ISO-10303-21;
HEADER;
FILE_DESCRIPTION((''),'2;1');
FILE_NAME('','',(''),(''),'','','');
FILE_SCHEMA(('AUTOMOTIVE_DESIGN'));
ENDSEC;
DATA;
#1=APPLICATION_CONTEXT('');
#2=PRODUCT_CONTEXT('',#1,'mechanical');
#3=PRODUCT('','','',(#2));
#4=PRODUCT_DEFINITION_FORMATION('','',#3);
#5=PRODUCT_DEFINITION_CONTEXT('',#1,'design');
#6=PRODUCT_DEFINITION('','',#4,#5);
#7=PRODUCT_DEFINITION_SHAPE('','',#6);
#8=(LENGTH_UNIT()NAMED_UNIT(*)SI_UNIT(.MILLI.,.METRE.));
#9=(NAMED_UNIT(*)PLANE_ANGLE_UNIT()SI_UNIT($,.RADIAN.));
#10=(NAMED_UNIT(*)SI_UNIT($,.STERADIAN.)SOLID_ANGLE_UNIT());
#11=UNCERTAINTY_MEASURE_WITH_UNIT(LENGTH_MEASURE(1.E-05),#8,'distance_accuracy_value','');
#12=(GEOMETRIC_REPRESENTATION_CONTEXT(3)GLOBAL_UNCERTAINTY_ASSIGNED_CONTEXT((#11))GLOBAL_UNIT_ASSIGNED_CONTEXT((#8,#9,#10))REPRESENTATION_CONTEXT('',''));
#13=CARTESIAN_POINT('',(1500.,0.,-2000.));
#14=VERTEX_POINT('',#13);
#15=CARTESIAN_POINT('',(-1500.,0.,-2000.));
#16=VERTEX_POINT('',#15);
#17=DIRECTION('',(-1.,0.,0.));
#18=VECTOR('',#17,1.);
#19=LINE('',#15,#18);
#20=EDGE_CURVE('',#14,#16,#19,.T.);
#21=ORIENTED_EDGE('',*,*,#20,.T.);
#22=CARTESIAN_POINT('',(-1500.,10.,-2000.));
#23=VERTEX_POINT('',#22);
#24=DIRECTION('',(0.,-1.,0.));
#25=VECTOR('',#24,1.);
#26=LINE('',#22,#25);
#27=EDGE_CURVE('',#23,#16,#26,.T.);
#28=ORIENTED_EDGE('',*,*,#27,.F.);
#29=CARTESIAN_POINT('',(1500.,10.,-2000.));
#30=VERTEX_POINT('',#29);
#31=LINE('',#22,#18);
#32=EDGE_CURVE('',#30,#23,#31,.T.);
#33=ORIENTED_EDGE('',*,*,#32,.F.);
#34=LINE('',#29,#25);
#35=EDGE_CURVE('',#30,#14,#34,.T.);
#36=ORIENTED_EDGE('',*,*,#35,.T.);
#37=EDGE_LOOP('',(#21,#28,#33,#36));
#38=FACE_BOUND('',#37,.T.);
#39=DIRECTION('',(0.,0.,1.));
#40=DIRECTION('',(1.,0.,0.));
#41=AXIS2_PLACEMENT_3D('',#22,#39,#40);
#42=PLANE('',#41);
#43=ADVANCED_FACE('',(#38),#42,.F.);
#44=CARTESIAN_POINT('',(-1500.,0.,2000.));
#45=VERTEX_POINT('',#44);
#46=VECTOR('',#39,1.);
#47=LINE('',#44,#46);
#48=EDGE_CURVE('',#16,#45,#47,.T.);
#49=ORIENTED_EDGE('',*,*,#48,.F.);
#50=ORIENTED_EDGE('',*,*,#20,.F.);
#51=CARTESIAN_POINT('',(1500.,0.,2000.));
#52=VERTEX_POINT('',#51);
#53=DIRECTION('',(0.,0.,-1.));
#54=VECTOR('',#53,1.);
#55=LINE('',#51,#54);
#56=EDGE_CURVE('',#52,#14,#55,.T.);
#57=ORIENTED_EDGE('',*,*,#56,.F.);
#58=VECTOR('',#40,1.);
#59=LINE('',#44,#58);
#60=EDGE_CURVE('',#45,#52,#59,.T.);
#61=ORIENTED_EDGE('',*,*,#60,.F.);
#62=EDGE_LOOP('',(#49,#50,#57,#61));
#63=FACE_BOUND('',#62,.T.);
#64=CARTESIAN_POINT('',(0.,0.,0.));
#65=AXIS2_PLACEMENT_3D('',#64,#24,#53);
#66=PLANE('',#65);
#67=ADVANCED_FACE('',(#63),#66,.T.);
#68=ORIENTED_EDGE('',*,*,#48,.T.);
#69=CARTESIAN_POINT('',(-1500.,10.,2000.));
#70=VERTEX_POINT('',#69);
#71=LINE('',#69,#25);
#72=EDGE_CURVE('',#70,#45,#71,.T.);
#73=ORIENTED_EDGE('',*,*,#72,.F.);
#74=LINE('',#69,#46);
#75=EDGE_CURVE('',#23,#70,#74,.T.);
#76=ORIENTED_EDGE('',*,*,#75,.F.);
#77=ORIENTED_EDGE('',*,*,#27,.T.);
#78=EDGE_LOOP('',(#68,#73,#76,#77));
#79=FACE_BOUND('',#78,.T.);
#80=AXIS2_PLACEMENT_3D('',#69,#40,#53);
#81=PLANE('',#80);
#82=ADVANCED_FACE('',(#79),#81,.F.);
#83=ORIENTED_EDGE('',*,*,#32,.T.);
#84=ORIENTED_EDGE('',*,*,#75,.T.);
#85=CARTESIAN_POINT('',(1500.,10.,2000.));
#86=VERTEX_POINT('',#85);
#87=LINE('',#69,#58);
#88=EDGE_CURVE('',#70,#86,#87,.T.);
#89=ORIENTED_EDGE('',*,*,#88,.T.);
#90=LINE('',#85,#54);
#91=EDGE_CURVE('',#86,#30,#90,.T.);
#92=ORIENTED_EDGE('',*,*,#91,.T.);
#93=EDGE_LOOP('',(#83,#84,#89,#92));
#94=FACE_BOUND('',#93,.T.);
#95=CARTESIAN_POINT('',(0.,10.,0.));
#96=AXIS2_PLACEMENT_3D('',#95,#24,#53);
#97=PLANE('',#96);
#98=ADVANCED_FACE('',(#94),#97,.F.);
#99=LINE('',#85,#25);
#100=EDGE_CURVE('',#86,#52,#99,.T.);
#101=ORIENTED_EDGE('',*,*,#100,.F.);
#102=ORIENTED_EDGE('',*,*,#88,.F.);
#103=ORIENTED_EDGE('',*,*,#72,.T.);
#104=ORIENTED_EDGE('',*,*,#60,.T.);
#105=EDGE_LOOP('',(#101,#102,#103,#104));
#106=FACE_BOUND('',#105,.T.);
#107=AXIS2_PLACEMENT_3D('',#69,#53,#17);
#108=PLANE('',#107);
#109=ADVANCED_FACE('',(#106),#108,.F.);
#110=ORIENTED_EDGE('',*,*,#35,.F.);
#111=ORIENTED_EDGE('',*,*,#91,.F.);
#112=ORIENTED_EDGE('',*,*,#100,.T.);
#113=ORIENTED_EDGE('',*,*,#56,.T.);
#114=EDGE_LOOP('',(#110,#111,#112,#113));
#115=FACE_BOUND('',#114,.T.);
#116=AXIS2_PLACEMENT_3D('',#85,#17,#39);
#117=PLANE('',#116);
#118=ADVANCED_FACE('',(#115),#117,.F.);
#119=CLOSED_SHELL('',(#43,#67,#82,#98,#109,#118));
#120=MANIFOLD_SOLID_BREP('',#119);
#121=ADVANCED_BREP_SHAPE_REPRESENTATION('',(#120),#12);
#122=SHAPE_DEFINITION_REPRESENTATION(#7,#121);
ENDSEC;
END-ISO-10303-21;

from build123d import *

# Parameters (mm, degrees)
SKETCH_1_W      = 3000
SKETCH_1_H      = 4000
EXTRUDE_1_DEPTH = 10


with BuildPart() as part:
    # 草图1 → 凸台-拉伸1 (new body)
    with BuildSketch(Plane(origin=(0, 0, 0), x_dir=(1, 0, 0), z_dir=(0, 1, 0))):
        Rectangle(SKETCH_1_W, SKETCH_1_H)
    extrude(amount=EXTRUDE_1_DEPTH)


solid = part.part
